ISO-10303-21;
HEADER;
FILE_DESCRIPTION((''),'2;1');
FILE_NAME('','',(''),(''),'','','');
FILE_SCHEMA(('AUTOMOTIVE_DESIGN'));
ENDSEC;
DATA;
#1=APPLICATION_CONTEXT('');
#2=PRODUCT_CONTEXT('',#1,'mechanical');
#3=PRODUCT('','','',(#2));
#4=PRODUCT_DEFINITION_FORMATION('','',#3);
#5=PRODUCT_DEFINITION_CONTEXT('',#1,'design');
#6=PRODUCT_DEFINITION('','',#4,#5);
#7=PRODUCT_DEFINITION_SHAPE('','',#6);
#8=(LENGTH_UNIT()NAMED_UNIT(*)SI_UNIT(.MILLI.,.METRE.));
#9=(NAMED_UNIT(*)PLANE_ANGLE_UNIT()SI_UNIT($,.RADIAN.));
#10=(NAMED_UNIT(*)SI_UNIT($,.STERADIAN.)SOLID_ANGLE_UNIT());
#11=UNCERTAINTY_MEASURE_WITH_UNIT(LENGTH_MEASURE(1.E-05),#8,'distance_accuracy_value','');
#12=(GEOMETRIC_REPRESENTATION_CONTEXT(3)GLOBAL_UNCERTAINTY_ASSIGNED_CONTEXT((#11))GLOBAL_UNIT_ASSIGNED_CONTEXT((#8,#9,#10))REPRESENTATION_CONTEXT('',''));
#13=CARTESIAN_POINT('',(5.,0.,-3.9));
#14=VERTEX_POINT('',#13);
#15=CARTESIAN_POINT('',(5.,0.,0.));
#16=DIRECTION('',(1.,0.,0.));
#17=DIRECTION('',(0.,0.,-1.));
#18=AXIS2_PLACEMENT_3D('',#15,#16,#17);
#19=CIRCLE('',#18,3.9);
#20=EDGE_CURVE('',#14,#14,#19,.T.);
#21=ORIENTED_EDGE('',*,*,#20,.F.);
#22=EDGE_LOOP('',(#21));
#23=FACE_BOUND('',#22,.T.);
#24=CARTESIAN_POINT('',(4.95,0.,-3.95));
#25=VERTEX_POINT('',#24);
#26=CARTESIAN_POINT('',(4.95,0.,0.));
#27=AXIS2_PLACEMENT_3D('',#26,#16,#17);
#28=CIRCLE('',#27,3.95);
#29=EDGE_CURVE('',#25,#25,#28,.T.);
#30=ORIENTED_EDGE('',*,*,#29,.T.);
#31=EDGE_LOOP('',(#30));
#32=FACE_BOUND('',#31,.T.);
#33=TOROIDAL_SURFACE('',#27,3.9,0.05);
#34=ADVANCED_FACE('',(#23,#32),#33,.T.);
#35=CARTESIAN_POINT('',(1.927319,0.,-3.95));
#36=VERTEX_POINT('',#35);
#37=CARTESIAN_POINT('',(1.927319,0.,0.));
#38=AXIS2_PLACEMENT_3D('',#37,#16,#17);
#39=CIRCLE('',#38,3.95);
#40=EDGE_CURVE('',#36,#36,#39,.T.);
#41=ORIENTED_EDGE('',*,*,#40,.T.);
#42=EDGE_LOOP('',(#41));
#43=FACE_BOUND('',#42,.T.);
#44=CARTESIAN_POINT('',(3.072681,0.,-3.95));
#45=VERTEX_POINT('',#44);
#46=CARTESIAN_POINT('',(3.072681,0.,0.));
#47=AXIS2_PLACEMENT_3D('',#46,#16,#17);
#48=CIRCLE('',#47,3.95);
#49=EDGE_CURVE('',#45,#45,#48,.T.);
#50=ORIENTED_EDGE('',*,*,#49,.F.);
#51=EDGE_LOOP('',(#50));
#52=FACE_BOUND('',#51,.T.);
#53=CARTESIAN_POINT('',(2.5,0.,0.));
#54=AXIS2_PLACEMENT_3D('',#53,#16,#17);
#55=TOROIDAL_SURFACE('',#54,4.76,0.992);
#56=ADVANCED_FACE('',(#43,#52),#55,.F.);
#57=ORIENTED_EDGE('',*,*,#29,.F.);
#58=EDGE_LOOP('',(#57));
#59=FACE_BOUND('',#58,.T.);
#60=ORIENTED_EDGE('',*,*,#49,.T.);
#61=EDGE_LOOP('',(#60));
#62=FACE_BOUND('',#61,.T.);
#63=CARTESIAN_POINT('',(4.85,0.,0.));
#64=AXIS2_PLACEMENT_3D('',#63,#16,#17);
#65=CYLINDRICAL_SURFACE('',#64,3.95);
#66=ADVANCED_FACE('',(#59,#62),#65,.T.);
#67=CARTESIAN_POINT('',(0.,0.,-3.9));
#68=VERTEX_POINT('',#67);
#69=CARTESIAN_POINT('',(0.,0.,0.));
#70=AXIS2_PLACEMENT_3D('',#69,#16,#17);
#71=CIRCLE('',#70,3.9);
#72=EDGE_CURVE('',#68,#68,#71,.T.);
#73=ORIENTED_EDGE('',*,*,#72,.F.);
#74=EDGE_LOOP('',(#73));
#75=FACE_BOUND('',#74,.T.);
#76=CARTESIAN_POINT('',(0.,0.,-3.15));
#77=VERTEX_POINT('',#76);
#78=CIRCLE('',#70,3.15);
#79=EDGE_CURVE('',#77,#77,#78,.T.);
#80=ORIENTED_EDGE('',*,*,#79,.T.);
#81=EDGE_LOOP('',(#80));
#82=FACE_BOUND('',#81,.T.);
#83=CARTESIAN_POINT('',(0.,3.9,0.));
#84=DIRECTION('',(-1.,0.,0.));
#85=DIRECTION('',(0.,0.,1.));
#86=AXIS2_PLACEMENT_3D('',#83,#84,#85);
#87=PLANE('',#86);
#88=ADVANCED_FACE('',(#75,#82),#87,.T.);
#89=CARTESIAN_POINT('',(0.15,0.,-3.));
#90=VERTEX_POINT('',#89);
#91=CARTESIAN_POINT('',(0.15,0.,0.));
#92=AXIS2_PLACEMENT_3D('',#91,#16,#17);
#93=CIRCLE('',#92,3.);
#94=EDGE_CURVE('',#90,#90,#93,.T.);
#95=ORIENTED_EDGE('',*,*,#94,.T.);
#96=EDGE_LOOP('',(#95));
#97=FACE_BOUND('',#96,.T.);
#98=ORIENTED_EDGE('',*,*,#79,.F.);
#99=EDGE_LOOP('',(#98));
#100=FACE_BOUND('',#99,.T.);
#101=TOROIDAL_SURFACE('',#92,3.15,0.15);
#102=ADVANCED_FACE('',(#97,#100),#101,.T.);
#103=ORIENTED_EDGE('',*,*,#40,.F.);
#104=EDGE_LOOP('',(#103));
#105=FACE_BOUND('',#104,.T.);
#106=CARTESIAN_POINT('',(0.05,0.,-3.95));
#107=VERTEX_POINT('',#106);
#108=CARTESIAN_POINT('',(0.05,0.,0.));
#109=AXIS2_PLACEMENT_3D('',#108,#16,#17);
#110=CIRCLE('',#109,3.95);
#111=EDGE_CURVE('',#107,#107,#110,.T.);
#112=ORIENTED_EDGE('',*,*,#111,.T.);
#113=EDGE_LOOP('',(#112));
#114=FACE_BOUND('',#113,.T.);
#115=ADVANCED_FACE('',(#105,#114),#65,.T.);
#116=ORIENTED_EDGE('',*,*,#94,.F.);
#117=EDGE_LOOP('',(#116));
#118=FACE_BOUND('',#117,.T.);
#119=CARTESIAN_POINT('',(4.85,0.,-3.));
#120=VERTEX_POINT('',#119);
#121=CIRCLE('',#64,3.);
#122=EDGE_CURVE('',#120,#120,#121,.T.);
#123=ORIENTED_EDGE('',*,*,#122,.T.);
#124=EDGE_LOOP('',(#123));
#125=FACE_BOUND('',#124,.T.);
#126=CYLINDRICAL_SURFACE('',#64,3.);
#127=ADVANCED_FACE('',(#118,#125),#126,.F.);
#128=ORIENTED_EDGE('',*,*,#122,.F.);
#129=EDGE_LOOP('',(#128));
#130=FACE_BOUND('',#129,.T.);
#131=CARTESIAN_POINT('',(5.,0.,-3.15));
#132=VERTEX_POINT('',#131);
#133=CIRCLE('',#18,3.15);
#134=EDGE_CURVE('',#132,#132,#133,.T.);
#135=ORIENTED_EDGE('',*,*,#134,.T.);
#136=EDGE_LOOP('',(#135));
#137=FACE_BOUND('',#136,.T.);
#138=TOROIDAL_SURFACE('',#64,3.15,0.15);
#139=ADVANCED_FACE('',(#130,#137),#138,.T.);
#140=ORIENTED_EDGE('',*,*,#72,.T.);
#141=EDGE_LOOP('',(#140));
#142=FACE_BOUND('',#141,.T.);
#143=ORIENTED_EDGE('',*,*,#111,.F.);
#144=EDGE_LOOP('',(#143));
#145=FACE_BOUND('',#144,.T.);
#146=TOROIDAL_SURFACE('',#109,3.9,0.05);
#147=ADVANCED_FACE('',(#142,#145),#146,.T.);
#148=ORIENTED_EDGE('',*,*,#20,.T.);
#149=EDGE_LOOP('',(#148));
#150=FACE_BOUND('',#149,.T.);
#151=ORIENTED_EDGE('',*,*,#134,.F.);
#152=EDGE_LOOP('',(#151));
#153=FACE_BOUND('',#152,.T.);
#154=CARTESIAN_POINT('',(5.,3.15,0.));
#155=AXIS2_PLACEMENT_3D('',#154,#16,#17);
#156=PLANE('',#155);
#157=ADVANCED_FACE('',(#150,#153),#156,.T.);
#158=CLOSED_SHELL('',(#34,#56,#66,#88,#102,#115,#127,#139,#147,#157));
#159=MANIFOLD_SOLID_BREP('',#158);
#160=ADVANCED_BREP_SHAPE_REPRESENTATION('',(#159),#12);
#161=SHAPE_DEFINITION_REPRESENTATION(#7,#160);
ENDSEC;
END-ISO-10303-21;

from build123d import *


with BuildPart() as part:
    # Sketch1 → Revolve1 (revolve)
    with BuildSketch(Plane.XY):
        with BuildLine():
            Line((0, 3.9), (0, 3.15))
            ThreePointArc((0, 3.15), (0.043933983, 3.043933983), (0.15, 3))
            Line((0.15, 3), (4.85, 3))
            ThreePointArc((4.85, 3), (4.956066017, 3.043933983), (5, 3.15))
            Line((5, 3.15), (5, 3.9))
            ThreePointArc((5, 3.9), (4.985355339, 3.935355339), (4.95, 3.95))
            Line((4.95, 3.95), (3.072681412, 3.95))
            ThreePointArc((3.072681412, 3.95), (2.5, 3.768), (1.927318588, 3.95))
            Line((1.927318588, 3.95), (0.05, 3.95))
            ThreePointArc((0.05, 3.95), (0.014644661, 3.935355339), (0, 3.9))
        make_face()
    revolve(axis=Axis((4.85, 0, 0), (-1, 0, 0)))


solid = part.part
